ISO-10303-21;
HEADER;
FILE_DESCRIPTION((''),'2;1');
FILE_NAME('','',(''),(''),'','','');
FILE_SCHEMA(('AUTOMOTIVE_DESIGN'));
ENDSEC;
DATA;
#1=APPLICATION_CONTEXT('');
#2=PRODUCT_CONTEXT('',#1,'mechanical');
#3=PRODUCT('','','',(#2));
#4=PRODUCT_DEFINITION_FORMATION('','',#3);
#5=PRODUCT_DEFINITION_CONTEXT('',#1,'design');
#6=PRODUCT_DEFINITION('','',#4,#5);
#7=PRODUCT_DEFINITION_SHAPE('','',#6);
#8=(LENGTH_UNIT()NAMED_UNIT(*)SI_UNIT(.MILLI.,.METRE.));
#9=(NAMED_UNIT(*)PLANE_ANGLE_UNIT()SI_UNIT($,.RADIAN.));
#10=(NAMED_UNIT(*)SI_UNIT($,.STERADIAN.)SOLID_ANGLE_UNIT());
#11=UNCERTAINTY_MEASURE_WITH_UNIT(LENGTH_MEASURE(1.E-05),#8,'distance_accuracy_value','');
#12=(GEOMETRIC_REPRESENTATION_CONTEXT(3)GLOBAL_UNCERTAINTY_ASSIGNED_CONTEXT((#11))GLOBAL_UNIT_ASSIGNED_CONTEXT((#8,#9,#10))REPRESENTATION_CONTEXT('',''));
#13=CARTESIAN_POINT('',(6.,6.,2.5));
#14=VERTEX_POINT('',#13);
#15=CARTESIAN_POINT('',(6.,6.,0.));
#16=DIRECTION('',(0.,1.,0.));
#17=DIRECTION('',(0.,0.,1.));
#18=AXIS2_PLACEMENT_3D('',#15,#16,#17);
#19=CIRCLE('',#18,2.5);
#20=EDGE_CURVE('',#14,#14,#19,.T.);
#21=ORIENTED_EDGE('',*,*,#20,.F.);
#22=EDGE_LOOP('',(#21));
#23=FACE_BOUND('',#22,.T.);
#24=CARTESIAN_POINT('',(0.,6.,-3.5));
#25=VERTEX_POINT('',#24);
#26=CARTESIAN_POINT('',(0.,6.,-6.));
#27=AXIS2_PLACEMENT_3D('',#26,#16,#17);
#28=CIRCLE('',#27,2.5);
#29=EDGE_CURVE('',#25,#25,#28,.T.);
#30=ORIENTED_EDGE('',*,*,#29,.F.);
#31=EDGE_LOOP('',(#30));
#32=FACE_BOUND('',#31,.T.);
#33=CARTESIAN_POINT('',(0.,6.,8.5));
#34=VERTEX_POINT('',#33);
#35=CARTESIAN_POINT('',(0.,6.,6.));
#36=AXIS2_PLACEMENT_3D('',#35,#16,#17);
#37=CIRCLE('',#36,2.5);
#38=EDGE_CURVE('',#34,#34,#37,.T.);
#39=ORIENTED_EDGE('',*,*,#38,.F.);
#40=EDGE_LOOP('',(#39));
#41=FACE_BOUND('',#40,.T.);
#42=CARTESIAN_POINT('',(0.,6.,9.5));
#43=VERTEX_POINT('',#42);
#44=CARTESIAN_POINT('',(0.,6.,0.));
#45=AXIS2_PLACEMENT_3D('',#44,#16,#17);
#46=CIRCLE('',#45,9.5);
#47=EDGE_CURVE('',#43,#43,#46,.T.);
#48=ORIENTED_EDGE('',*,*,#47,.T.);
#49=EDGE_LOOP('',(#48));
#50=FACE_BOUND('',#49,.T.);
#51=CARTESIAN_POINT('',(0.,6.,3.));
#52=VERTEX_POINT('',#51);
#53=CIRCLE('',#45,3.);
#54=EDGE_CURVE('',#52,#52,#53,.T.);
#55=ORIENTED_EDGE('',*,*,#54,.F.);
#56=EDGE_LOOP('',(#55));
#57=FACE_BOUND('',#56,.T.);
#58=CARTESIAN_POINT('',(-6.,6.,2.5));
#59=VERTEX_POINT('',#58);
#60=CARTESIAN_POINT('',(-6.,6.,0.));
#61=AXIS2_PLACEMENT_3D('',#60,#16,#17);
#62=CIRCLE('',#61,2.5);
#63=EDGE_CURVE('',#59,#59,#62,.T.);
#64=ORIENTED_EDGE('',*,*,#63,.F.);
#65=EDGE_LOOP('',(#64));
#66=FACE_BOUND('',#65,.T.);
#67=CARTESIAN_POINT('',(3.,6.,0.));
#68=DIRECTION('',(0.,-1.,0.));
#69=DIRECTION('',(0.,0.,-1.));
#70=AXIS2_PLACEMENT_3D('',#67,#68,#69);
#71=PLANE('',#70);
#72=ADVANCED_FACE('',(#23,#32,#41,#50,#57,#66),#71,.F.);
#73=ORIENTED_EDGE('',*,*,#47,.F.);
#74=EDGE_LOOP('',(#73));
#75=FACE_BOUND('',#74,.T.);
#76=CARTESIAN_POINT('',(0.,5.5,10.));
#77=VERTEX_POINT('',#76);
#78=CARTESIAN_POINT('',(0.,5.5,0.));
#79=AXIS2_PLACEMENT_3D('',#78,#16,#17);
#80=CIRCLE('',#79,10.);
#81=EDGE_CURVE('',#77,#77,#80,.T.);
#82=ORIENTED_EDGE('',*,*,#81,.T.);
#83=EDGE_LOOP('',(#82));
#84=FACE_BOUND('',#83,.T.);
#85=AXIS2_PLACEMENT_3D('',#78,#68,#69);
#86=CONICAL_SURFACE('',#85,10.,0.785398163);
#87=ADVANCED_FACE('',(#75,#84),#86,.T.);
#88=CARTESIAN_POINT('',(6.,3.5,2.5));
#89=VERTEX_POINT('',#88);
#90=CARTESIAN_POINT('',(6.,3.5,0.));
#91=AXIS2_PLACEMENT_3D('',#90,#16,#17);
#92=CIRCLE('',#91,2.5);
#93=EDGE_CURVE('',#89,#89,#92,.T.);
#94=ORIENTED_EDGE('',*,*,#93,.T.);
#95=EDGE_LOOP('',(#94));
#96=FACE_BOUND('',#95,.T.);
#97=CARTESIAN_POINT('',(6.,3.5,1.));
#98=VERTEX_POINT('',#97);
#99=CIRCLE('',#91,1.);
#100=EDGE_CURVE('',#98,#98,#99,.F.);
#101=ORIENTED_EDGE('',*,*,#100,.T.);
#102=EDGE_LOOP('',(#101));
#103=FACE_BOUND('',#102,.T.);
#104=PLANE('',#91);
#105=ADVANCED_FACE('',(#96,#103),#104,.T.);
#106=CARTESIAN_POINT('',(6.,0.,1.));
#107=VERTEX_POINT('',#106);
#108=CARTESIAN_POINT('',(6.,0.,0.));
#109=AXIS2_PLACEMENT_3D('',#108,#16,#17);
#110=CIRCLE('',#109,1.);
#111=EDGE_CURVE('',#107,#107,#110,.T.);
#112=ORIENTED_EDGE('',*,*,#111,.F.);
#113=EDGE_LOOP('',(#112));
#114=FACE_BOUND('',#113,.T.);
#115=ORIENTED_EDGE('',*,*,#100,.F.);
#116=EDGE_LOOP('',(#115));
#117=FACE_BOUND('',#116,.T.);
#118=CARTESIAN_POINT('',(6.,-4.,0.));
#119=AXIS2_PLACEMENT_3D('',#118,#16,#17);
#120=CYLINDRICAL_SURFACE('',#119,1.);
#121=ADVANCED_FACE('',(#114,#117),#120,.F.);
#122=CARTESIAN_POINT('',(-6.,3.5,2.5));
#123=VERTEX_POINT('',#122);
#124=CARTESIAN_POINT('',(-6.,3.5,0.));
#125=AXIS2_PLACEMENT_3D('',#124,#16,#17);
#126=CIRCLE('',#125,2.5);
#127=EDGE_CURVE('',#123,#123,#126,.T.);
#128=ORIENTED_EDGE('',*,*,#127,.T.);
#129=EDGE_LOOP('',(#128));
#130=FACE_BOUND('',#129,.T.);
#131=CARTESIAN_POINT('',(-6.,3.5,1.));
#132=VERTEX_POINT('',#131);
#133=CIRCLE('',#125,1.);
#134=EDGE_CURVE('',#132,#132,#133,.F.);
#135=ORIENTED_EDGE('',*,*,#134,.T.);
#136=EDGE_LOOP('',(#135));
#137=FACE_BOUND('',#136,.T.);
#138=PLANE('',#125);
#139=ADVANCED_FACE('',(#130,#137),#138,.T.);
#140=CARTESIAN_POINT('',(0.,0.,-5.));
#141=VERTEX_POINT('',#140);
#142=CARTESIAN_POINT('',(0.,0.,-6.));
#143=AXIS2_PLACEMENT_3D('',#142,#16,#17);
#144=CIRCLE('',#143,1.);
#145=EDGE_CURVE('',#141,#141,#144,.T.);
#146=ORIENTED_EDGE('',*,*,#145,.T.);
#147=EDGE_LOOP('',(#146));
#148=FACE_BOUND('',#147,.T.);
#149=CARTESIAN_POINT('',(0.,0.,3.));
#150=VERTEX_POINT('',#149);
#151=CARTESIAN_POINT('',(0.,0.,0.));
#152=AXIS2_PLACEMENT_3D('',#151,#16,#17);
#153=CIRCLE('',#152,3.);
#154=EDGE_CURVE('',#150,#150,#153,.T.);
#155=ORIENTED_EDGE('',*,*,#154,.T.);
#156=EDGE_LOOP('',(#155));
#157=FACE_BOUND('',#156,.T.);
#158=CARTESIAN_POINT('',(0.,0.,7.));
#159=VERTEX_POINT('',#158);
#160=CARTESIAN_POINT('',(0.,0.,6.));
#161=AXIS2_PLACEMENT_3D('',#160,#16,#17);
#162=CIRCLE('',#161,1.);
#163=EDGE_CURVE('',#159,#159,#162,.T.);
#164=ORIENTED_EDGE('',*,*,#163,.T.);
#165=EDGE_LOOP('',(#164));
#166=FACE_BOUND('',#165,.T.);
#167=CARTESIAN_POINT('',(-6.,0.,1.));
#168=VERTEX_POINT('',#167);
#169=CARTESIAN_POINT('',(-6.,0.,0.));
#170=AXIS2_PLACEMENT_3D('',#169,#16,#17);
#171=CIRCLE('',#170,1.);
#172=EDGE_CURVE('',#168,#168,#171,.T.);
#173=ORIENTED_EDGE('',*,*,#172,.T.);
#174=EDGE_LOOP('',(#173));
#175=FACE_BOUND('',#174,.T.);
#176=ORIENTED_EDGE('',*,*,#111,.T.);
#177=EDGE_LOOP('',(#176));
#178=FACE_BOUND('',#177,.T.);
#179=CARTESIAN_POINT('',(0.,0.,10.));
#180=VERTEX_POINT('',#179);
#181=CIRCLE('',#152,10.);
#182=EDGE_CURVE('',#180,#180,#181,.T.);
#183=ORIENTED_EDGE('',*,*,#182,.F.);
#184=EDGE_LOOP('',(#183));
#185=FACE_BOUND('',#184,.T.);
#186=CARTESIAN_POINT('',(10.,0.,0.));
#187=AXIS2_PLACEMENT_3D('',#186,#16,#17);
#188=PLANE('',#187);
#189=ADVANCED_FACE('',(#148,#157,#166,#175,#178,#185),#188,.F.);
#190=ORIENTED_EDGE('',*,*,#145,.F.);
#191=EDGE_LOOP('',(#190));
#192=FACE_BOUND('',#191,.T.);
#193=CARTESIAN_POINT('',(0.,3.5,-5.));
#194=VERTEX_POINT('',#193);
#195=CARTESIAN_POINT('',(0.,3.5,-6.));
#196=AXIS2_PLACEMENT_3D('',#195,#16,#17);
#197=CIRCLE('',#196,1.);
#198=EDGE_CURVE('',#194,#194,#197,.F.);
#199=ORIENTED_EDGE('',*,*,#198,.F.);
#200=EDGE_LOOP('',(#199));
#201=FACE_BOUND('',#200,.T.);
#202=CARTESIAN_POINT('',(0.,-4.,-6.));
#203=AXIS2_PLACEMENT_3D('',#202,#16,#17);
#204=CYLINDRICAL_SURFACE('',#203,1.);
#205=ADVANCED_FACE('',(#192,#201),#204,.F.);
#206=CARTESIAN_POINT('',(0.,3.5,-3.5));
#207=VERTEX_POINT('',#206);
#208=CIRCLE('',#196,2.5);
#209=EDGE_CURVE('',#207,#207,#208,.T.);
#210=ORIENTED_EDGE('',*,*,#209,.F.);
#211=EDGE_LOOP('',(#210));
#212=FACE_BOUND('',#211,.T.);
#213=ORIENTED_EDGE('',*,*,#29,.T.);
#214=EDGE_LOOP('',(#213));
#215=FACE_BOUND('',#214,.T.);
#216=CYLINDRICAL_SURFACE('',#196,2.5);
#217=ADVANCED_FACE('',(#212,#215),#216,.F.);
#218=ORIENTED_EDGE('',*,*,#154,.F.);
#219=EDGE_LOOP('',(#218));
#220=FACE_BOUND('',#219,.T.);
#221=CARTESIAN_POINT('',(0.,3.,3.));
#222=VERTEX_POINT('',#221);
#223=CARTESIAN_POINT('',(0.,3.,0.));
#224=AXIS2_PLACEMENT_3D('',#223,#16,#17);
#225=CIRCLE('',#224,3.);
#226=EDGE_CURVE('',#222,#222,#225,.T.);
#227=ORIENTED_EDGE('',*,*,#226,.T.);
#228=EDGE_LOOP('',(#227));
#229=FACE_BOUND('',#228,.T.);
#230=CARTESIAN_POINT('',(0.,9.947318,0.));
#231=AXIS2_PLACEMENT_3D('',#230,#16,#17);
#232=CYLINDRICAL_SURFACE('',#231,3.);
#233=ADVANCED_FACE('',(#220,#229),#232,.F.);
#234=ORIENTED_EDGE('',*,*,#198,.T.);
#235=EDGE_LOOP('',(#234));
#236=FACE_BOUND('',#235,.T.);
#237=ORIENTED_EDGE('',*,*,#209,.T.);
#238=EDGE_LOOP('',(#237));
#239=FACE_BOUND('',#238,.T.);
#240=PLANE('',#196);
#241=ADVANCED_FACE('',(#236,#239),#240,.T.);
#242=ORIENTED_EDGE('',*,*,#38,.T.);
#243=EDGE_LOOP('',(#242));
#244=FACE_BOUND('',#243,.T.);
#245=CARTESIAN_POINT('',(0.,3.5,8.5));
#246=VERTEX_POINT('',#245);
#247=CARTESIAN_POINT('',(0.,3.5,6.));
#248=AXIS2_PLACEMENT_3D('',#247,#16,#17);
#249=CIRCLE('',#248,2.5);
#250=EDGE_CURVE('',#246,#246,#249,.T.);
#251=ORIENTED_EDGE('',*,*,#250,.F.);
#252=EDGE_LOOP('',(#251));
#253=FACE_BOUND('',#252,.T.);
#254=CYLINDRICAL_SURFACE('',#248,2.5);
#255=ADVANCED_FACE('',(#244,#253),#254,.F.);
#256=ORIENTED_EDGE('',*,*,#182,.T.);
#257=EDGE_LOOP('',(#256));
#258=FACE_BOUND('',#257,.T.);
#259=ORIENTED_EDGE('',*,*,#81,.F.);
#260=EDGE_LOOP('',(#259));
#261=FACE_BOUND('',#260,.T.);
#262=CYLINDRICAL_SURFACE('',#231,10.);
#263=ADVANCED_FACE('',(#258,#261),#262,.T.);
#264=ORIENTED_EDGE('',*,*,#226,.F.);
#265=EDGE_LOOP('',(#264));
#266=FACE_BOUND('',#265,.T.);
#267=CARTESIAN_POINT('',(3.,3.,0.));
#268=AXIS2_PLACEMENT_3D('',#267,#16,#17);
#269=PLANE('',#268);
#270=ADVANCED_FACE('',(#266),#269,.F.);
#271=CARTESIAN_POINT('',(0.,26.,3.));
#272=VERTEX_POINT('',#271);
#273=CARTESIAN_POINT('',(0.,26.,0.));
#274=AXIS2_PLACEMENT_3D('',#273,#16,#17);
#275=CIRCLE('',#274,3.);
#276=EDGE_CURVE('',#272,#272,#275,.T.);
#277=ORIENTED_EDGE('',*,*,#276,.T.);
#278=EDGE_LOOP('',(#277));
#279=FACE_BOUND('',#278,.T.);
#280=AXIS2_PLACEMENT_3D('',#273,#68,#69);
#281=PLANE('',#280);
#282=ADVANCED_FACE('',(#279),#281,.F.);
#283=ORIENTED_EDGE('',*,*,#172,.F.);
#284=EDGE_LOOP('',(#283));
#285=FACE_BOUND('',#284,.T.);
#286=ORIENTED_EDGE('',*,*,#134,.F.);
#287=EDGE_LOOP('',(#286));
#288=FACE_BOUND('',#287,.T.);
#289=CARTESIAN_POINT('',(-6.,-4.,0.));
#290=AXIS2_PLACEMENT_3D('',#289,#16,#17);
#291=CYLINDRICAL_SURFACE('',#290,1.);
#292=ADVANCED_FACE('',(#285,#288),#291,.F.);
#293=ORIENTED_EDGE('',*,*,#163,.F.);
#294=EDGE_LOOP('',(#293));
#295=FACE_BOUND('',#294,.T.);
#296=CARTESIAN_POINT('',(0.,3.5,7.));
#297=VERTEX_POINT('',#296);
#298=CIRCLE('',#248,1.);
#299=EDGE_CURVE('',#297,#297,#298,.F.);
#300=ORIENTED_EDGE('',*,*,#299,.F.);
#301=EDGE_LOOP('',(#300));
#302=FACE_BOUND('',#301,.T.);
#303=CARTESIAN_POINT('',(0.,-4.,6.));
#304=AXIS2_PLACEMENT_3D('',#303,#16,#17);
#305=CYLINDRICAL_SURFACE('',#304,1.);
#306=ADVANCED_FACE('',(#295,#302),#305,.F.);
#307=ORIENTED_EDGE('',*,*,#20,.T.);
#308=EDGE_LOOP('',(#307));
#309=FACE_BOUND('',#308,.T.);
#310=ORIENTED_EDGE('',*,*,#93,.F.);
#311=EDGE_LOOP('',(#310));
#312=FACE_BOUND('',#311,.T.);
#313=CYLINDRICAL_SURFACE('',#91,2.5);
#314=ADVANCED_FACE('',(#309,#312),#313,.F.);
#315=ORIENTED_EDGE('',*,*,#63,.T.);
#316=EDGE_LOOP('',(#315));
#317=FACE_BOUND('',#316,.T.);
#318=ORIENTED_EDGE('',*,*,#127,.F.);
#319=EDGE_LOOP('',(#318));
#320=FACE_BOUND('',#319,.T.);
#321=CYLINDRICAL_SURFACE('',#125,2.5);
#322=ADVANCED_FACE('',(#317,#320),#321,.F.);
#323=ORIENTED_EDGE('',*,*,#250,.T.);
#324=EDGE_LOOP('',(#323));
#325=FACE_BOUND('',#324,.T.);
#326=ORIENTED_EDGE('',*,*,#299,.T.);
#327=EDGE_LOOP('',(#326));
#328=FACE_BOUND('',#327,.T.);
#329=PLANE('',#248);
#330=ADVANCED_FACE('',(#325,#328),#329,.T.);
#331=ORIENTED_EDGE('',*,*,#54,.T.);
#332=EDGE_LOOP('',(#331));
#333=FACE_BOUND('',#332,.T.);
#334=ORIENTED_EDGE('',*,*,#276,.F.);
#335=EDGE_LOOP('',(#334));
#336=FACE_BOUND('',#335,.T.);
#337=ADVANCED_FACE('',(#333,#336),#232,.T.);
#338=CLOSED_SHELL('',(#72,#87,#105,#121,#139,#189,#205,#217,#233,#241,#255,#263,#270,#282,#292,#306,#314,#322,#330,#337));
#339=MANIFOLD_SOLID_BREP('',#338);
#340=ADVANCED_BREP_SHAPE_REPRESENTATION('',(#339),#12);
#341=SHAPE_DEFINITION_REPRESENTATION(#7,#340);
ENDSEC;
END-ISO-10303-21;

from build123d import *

# Parameters (mm, degrees)
SKETCH_2_R          = 1
CUT_EXTRUDE_1_DEPTH = 10
SKETCH_3_R          = 2.5
CUT_EXTRUDE_2_DEPTH = 2.5


with BuildPart() as part:
    # 草图1 → 旋转1 (revolve)
    with BuildSketch(Plane.XY, mode=Mode.PRIVATE) as revolve_1_sk:
        Polygon((0, 26), (3, 26), (3, 6), (9.5, 6), (10, 5.5), (10, 0), (3, 0), (3, 3), (0, 3), align=None)
    revolve(revolve_1_sk.sketch.rotate(Axis((0, 9.947317903, 0), (0, -1, 0)), 90), axis=Axis((0, 9.947317903, 0), (0, -1, 0)))

    # 草图2 → 切除-拉伸1 (cut)
    with BuildSketch(Plane(origin=(0, 6, 0), x_dir=(1, 0, 0), z_dir=(0, 1, 0))):
        with Locations(Location((0, 6, 0), (0, 0, 270))):
            Circle(SKETCH_2_R)
        with Locations(Location((6, 0, 0), (0, 0, 270))):
            Circle(SKETCH_2_R)
        with Locations(Location((0, -6, 0), (0, 0, 270))):
            Circle(SKETCH_2_R)
        with Locations(Location((-6, 0, 0), (0, 0, 270))):
            Circle(SKETCH_2_R)
    extrude(amount=-CUT_EXTRUDE_1_DEPTH, mode=Mode.SUBTRACT)

    # 草图3 → 切除-拉伸2 (cut)
    with BuildSketch(Plane(origin=(0, 6, 0), x_dir=(1, 0, 0), z_dir=(0, 1, 0))):
        with Locations(Location((0, 6, 0), (0, 0, 270))):
            Circle(SKETCH_3_R)
        with Locations(Location((6, 0, 0), (0, 0, 270))):
            Circle(SKETCH_3_R)
        with Locations(Location((0, -6, 0), (0, 0, 270))):
            Circle(SKETCH_3_R)
        with Locations(Location((-6, 0, 0), (0, 0, 270))):
            Circle(SKETCH_3_R)
    extrude(amount=-CUT_EXTRUDE_2_DEPTH, mode=Mode.SUBTRACT)


solid = part.part
